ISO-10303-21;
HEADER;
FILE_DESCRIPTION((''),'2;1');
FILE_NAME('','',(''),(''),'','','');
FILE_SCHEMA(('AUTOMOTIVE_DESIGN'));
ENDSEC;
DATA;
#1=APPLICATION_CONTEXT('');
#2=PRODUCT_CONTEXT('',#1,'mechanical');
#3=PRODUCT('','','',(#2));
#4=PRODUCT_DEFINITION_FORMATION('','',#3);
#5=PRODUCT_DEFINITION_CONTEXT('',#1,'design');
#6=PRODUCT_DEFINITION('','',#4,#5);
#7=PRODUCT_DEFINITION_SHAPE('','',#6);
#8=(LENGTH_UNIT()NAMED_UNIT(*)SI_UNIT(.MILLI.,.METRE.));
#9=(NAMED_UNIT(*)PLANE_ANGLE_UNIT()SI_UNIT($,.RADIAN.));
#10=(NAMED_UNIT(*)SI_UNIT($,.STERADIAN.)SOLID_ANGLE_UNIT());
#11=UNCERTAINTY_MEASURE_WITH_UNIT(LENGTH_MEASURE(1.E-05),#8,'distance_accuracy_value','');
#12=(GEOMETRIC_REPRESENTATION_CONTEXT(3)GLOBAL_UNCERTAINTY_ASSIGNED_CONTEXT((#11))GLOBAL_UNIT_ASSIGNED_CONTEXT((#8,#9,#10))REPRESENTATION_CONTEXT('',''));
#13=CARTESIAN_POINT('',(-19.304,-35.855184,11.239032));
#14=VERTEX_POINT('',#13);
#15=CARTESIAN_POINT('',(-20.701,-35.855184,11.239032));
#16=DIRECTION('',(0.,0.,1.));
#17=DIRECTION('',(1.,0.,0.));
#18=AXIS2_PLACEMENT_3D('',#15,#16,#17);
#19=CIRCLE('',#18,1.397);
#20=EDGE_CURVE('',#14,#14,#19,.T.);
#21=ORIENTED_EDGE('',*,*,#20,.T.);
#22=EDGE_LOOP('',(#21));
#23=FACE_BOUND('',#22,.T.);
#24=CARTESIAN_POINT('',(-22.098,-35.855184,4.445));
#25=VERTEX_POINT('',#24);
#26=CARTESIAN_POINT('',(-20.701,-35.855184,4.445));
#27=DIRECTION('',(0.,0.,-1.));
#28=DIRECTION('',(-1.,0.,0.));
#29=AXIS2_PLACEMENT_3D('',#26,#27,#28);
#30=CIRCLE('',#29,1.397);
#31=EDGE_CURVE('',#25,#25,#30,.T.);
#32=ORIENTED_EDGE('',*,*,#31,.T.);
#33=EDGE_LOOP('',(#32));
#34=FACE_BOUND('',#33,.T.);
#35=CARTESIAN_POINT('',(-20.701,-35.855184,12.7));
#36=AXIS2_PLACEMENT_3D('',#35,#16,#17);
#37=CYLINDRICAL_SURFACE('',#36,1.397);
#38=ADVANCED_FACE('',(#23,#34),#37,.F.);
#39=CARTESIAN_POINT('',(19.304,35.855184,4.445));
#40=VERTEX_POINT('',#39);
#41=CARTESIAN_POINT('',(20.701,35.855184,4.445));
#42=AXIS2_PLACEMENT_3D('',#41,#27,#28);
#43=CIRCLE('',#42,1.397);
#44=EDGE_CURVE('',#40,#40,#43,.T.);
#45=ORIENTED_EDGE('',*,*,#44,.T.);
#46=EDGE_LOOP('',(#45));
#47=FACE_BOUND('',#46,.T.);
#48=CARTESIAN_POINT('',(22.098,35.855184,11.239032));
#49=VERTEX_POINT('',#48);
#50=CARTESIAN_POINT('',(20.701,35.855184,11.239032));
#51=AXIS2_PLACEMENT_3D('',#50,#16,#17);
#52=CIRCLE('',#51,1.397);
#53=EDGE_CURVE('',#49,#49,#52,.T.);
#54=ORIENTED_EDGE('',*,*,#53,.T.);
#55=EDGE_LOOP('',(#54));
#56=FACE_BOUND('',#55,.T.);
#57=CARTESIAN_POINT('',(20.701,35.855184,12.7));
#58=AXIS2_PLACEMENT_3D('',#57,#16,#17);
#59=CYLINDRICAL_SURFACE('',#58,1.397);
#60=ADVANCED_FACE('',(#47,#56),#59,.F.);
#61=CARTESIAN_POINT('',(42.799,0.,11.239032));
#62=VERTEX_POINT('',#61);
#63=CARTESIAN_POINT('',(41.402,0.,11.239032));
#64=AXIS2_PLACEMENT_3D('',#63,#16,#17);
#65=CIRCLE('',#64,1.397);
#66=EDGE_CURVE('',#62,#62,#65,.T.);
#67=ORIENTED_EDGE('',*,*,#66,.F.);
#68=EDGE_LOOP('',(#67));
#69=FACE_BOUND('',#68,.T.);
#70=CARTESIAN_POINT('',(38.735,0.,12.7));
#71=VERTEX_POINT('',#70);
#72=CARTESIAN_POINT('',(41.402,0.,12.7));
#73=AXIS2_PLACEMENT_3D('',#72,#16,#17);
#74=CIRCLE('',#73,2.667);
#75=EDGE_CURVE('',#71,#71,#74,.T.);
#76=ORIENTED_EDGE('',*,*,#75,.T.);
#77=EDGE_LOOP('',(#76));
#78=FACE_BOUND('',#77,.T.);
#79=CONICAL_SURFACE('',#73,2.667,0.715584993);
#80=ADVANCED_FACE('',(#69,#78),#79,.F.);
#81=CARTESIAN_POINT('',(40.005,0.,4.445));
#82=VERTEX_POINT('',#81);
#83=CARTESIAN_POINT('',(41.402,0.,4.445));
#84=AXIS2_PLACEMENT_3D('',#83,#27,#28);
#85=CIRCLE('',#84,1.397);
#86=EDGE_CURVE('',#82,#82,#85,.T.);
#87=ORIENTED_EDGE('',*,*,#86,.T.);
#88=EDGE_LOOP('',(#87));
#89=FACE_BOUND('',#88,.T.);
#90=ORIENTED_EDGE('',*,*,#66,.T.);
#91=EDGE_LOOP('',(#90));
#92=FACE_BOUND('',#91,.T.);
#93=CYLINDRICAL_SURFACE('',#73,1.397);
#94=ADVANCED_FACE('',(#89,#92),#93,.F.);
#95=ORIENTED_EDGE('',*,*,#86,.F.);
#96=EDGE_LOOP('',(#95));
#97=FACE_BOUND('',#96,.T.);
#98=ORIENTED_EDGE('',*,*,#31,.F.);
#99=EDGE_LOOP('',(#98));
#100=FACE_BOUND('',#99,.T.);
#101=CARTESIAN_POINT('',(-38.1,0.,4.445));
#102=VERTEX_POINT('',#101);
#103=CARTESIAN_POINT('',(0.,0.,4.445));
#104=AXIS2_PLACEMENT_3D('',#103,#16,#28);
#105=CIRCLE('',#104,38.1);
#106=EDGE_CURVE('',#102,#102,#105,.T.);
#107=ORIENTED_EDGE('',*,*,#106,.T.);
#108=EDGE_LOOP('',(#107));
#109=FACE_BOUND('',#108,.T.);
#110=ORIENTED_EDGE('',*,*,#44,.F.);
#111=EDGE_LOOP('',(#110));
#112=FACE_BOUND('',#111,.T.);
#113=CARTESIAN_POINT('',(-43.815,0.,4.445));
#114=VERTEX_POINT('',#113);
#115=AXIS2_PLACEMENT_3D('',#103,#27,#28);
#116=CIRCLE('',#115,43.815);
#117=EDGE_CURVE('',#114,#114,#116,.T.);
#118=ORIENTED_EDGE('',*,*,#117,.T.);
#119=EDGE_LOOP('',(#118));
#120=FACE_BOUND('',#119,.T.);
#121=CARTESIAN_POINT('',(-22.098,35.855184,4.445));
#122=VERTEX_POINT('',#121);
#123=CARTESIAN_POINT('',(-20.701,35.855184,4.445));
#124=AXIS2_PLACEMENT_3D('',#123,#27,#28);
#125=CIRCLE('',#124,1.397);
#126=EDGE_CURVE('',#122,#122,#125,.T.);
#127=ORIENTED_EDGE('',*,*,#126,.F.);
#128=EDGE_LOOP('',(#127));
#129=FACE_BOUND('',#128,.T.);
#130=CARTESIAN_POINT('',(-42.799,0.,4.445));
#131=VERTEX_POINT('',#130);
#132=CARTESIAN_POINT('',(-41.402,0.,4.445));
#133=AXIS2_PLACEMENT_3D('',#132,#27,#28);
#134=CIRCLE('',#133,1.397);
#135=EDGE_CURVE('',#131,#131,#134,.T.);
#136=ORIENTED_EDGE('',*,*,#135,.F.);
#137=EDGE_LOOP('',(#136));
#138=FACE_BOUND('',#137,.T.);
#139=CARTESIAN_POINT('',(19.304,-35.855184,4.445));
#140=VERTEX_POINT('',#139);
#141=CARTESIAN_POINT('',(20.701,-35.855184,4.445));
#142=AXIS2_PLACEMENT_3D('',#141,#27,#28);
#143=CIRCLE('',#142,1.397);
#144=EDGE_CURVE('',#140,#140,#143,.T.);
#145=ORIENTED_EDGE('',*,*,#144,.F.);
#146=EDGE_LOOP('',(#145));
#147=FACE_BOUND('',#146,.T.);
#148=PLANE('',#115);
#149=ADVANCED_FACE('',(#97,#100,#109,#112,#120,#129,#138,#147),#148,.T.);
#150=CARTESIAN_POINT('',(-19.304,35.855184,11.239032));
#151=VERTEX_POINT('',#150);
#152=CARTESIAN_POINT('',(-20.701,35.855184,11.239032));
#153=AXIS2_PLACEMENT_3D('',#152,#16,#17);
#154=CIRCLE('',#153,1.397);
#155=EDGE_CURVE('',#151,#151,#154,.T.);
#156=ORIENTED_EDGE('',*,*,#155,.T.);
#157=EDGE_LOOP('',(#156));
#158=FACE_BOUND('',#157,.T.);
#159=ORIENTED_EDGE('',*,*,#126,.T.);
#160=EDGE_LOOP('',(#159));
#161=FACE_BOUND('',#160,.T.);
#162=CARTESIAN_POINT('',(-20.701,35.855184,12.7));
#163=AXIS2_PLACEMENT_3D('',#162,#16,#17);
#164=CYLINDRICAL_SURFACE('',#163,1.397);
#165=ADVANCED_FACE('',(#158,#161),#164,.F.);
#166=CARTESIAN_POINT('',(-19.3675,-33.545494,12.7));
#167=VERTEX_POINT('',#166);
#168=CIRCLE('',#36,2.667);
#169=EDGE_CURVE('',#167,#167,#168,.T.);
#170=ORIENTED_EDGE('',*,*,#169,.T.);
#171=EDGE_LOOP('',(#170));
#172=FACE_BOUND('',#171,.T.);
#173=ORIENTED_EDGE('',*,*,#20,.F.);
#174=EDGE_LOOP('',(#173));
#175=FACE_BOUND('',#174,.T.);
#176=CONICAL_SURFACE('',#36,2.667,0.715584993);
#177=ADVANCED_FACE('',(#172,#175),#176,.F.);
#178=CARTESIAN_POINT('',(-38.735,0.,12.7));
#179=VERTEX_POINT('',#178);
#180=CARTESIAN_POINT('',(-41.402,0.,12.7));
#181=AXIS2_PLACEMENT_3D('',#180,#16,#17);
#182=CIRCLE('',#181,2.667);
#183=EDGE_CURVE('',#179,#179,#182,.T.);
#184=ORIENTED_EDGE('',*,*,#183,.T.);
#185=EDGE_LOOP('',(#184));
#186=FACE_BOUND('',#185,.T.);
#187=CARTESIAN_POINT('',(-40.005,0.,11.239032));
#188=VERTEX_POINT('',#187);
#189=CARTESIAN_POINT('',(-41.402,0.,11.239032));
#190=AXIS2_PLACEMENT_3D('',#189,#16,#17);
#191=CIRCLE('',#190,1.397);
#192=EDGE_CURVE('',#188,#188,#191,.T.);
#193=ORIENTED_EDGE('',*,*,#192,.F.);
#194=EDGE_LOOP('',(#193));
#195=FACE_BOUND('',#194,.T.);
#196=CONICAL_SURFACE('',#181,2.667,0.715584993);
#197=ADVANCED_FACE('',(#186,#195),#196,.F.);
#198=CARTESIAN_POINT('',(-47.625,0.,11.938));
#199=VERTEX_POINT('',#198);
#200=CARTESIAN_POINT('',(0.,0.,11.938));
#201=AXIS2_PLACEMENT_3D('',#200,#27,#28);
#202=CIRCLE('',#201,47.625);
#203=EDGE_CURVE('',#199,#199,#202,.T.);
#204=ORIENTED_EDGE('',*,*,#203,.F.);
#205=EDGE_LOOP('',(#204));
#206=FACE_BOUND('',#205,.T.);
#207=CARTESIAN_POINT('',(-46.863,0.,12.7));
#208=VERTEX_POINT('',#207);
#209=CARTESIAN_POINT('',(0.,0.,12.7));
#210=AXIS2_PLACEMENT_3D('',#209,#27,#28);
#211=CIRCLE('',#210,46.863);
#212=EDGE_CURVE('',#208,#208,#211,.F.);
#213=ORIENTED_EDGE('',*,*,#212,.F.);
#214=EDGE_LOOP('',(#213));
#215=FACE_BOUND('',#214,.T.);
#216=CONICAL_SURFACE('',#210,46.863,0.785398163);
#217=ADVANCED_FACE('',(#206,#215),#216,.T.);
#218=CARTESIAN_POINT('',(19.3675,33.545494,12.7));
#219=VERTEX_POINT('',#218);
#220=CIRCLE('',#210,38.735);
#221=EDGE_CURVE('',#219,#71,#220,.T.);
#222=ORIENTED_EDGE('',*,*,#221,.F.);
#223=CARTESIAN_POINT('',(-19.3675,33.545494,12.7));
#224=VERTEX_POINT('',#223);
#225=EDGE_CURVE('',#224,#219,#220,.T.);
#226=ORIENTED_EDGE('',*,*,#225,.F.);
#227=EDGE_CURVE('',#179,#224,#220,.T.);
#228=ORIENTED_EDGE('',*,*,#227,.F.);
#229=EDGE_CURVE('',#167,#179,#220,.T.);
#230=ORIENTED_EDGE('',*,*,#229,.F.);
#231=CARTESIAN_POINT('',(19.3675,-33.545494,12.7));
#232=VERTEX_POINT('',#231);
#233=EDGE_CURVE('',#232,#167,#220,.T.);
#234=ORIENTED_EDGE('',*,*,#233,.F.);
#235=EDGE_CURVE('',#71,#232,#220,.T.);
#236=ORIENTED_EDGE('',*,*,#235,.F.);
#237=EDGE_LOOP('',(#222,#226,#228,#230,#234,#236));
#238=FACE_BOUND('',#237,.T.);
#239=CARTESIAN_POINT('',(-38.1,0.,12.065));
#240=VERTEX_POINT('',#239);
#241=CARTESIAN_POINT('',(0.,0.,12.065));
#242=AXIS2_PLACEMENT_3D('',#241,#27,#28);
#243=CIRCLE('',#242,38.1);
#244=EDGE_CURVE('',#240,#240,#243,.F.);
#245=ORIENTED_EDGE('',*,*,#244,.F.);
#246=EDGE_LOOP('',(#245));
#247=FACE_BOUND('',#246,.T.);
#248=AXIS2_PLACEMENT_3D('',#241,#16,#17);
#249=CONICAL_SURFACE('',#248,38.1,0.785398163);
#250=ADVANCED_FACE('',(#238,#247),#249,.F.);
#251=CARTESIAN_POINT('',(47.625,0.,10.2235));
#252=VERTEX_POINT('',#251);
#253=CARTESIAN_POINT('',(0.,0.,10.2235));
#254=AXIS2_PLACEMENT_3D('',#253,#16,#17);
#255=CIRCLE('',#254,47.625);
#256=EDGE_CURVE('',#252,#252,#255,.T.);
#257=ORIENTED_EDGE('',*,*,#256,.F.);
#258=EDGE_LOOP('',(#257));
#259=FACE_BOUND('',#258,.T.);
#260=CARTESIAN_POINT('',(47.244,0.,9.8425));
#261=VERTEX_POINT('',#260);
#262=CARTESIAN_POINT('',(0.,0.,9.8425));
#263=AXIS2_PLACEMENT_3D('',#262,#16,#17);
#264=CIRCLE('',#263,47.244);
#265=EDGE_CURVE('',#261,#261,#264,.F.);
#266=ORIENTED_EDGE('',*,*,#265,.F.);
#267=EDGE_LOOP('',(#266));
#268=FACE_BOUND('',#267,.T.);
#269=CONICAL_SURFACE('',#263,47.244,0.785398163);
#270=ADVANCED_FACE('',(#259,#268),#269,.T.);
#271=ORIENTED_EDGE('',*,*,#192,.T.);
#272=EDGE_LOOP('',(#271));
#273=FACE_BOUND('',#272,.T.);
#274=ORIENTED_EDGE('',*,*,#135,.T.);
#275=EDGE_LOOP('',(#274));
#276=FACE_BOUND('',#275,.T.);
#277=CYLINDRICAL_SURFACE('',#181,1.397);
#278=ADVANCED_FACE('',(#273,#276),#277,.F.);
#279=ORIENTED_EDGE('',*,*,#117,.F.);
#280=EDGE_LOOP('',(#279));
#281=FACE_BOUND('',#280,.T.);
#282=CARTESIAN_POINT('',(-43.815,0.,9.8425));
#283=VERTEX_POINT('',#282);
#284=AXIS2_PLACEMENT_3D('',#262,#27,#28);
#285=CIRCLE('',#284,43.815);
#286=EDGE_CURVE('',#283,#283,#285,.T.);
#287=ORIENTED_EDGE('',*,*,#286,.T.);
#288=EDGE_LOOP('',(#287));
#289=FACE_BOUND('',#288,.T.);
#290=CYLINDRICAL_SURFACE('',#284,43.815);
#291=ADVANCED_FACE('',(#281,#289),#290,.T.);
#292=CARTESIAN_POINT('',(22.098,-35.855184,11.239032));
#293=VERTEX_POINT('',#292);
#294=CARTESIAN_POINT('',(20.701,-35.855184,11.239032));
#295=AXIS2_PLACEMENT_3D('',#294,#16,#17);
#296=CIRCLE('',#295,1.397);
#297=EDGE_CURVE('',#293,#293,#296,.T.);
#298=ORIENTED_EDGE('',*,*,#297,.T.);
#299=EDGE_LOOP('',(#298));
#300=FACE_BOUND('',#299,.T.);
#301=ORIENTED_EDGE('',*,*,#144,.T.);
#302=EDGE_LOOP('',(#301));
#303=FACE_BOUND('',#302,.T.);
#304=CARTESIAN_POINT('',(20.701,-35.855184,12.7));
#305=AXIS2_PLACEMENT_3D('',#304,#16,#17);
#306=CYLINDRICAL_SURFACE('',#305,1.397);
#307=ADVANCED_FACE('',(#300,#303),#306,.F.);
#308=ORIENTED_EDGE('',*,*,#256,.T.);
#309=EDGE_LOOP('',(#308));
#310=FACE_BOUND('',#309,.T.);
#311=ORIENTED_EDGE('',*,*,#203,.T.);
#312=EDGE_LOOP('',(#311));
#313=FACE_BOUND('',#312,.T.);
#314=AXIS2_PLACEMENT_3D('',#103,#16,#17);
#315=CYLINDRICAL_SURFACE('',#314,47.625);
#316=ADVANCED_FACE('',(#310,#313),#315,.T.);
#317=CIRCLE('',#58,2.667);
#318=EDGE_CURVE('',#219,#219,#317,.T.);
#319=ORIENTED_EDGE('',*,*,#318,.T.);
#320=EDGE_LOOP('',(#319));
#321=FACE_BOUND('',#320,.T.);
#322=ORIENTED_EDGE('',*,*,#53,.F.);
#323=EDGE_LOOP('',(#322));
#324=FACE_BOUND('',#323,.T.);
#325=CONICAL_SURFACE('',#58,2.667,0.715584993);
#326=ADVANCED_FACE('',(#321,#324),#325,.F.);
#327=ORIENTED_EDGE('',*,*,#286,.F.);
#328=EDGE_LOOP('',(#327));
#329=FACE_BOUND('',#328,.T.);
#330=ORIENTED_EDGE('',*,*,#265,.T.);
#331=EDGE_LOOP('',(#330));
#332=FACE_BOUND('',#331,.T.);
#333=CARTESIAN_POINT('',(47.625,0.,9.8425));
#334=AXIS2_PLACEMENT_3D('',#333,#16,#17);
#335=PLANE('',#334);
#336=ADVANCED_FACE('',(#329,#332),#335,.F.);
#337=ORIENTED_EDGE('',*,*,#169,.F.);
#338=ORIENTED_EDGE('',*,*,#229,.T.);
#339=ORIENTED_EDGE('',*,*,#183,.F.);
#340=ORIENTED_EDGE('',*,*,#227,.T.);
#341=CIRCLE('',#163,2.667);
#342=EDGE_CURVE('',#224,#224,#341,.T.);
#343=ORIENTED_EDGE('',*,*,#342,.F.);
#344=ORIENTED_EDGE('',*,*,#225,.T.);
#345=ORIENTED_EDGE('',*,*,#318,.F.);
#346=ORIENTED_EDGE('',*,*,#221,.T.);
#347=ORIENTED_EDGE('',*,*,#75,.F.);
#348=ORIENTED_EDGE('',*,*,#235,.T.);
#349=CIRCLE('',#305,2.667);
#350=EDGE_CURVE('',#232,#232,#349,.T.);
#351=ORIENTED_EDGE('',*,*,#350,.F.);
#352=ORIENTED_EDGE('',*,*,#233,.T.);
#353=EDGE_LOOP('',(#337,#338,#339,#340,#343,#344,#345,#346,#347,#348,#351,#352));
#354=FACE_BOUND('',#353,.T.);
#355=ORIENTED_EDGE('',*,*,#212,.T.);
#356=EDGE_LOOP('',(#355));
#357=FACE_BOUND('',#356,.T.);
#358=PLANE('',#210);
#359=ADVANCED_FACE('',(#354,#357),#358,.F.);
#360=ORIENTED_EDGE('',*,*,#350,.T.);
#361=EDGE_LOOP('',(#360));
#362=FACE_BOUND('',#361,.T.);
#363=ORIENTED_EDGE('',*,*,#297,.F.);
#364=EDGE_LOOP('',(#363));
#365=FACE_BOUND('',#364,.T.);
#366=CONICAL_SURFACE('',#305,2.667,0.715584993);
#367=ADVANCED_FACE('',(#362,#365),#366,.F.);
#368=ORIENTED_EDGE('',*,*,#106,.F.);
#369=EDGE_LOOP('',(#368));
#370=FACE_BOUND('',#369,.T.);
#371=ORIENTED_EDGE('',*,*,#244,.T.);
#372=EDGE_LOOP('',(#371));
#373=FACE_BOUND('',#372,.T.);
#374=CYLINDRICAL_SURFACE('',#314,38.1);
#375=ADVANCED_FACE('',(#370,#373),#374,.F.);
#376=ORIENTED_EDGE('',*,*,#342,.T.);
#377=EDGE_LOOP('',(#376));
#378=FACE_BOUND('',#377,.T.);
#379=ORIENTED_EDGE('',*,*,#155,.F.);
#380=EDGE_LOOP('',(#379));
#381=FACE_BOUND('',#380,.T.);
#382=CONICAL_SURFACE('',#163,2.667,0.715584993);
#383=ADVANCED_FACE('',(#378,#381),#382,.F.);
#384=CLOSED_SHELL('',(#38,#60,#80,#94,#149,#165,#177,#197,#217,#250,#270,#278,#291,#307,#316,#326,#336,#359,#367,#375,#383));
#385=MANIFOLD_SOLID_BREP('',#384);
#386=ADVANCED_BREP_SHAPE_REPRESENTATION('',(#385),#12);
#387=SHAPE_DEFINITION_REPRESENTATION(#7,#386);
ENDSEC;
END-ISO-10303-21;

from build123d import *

# Parameters (mm, degrees)
SKETCH1_R         = 47.625
EXTRUDE1_DEPTH    = 8.255
SKETCH2_R         = 38.1
EXTRUDE2_DEPTH    = 8.255
SKETCH3_W         = 3.81
SKETCH3_H         = 5.3975
CHAMFER1_SIZE     = 0.635
HOLE1_D           = 2.794
HOLE1_DEPTH       = 8.255
HOLE1_CSINK_D     = 5.334
HOLE1_CSINK_ANGLE = 82
HOLE2_D           = 2.794
HOLE2_DEPTH       = 8.255
HOLE2_CSINK_D     = 5.334
HOLE2_CSINK_ANGLE = 82
HOLE3_D           = 2.794
HOLE3_DEPTH       = 8.255
HOLE3_CSINK_D     = 5.334
HOLE3_CSINK_ANGLE = 82
HOLE4_D           = 2.794
HOLE4_DEPTH       = 8.255
HOLE4_CSINK_D     = 5.334
HOLE4_CSINK_ANGLE = 82
HOLE5_D           = 2.794
HOLE5_DEPTH       = 8.255
HOLE5_CSINK_D     = 5.334
HOLE5_CSINK_ANGLE = 82
HOLE6_D           = 2.794
HOLE6_DEPTH       = 8.255
HOLE6_CSINK_D     = 5.334
HOLE6_CSINK_ANGLE = 82
CHAMFER2_SIZE     = 0.381
CHAMFER3_SIZE     = 0.762


with BuildPart() as part:
    # Sketch1 → Extrude1 (new body)
    with BuildSketch(Plane.XY.offset(12.7)):
        Circle(SKETCH1_R)
    extrude(amount=-EXTRUDE1_DEPTH)

    # Sketch2 → Extrude2 (cut)
    with BuildSketch(Plane.XY.offset(12.7)):
        Circle(SKETCH2_R)
    extrude(amount=-EXTRUDE2_DEPTH, mode=Mode.SUBTRACT)

    # Sketch3 → Cut-Revolve1 (revolve, cut)
    with BuildSketch(Plane.XZ):
        with Locations((45.72, 7.14375)):
            Rectangle(SKETCH3_W, SKETCH3_H)
    revolve(axis=Axis((0, 0, 9.8425), (0, 0, -1)), mode=Mode.SUBTRACT)

    # Chamfer1
    chamfer1_edges = [part.edges().sort_by_distance(p)[0] for p in [
        (-38.1, 0, 12.7),
    ]]
    chamfer(chamfer1_edges, length=CHAMFER1_SIZE)

    # Hole1
    with Locations(Plane.XY.offset(12.7)):
        with Locations((-20.701, -35.855183767)):
            CounterSinkHole(HOLE1_D / 2, HOLE1_CSINK_D / 2, depth=HOLE1_DEPTH, counter_sink_angle=HOLE1_CSINK_ANGLE)

    # Hole2
    with Locations(Plane.XY.offset(12.7)):
        with Locations((-41.402, 0)):
            CounterSinkHole(HOLE2_D / 2, HOLE2_CSINK_D / 2, depth=HOLE2_DEPTH, counter_sink_angle=HOLE2_CSINK_ANGLE)

    # Hole3
    with Locations(Plane.XY.offset(12.7)):
        with Locations((-20.701, 35.855183767)):
            CounterSinkHole(HOLE3_D / 2, HOLE3_CSINK_D / 2, depth=HOLE3_DEPTH, counter_sink_angle=HOLE3_CSINK_ANGLE)

    # Hole4
    with Locations(Plane.XY.offset(12.7)):
        with Locations((20.701, 35.855183767)):
            CounterSinkHole(HOLE4_D / 2, HOLE4_CSINK_D / 2, depth=HOLE4_DEPTH, counter_sink_angle=HOLE4_CSINK_ANGLE)

    # Hole5
    with Locations(Plane.XY.offset(12.7)):
        with Locations((20.701, -35.855183767)):
            CounterSinkHole(HOLE5_D / 2, HOLE5_CSINK_D / 2, depth=HOLE5_DEPTH, counter_sink_angle=HOLE5_CSINK_ANGLE)

    # Hole6
    with Locations(Plane.XY.offset(12.7)):
        with Locations((41.402, 0)):
            CounterSinkHole(HOLE6_D / 2, HOLE6_CSINK_D / 2, depth=HOLE6_DEPTH, counter_sink_angle=HOLE6_CSINK_ANGLE)

    # Chamfer2
    chamfer2_edges = [part.edges().sort_by_distance(p)[0] for p in [
        (-47.625, 0, 9.8425),
    ]]
    chamfer(chamfer2_edges, length=CHAMFER2_SIZE)

    # Chamfer3
    chamfer3_edges = [part.edges().sort_by_distance(p)[0] for p in [
        (-47.625, 0, 12.7),
    ]]
    chamfer(chamfer3_edges, length=CHAMFER3_SIZE)


solid = part.part
